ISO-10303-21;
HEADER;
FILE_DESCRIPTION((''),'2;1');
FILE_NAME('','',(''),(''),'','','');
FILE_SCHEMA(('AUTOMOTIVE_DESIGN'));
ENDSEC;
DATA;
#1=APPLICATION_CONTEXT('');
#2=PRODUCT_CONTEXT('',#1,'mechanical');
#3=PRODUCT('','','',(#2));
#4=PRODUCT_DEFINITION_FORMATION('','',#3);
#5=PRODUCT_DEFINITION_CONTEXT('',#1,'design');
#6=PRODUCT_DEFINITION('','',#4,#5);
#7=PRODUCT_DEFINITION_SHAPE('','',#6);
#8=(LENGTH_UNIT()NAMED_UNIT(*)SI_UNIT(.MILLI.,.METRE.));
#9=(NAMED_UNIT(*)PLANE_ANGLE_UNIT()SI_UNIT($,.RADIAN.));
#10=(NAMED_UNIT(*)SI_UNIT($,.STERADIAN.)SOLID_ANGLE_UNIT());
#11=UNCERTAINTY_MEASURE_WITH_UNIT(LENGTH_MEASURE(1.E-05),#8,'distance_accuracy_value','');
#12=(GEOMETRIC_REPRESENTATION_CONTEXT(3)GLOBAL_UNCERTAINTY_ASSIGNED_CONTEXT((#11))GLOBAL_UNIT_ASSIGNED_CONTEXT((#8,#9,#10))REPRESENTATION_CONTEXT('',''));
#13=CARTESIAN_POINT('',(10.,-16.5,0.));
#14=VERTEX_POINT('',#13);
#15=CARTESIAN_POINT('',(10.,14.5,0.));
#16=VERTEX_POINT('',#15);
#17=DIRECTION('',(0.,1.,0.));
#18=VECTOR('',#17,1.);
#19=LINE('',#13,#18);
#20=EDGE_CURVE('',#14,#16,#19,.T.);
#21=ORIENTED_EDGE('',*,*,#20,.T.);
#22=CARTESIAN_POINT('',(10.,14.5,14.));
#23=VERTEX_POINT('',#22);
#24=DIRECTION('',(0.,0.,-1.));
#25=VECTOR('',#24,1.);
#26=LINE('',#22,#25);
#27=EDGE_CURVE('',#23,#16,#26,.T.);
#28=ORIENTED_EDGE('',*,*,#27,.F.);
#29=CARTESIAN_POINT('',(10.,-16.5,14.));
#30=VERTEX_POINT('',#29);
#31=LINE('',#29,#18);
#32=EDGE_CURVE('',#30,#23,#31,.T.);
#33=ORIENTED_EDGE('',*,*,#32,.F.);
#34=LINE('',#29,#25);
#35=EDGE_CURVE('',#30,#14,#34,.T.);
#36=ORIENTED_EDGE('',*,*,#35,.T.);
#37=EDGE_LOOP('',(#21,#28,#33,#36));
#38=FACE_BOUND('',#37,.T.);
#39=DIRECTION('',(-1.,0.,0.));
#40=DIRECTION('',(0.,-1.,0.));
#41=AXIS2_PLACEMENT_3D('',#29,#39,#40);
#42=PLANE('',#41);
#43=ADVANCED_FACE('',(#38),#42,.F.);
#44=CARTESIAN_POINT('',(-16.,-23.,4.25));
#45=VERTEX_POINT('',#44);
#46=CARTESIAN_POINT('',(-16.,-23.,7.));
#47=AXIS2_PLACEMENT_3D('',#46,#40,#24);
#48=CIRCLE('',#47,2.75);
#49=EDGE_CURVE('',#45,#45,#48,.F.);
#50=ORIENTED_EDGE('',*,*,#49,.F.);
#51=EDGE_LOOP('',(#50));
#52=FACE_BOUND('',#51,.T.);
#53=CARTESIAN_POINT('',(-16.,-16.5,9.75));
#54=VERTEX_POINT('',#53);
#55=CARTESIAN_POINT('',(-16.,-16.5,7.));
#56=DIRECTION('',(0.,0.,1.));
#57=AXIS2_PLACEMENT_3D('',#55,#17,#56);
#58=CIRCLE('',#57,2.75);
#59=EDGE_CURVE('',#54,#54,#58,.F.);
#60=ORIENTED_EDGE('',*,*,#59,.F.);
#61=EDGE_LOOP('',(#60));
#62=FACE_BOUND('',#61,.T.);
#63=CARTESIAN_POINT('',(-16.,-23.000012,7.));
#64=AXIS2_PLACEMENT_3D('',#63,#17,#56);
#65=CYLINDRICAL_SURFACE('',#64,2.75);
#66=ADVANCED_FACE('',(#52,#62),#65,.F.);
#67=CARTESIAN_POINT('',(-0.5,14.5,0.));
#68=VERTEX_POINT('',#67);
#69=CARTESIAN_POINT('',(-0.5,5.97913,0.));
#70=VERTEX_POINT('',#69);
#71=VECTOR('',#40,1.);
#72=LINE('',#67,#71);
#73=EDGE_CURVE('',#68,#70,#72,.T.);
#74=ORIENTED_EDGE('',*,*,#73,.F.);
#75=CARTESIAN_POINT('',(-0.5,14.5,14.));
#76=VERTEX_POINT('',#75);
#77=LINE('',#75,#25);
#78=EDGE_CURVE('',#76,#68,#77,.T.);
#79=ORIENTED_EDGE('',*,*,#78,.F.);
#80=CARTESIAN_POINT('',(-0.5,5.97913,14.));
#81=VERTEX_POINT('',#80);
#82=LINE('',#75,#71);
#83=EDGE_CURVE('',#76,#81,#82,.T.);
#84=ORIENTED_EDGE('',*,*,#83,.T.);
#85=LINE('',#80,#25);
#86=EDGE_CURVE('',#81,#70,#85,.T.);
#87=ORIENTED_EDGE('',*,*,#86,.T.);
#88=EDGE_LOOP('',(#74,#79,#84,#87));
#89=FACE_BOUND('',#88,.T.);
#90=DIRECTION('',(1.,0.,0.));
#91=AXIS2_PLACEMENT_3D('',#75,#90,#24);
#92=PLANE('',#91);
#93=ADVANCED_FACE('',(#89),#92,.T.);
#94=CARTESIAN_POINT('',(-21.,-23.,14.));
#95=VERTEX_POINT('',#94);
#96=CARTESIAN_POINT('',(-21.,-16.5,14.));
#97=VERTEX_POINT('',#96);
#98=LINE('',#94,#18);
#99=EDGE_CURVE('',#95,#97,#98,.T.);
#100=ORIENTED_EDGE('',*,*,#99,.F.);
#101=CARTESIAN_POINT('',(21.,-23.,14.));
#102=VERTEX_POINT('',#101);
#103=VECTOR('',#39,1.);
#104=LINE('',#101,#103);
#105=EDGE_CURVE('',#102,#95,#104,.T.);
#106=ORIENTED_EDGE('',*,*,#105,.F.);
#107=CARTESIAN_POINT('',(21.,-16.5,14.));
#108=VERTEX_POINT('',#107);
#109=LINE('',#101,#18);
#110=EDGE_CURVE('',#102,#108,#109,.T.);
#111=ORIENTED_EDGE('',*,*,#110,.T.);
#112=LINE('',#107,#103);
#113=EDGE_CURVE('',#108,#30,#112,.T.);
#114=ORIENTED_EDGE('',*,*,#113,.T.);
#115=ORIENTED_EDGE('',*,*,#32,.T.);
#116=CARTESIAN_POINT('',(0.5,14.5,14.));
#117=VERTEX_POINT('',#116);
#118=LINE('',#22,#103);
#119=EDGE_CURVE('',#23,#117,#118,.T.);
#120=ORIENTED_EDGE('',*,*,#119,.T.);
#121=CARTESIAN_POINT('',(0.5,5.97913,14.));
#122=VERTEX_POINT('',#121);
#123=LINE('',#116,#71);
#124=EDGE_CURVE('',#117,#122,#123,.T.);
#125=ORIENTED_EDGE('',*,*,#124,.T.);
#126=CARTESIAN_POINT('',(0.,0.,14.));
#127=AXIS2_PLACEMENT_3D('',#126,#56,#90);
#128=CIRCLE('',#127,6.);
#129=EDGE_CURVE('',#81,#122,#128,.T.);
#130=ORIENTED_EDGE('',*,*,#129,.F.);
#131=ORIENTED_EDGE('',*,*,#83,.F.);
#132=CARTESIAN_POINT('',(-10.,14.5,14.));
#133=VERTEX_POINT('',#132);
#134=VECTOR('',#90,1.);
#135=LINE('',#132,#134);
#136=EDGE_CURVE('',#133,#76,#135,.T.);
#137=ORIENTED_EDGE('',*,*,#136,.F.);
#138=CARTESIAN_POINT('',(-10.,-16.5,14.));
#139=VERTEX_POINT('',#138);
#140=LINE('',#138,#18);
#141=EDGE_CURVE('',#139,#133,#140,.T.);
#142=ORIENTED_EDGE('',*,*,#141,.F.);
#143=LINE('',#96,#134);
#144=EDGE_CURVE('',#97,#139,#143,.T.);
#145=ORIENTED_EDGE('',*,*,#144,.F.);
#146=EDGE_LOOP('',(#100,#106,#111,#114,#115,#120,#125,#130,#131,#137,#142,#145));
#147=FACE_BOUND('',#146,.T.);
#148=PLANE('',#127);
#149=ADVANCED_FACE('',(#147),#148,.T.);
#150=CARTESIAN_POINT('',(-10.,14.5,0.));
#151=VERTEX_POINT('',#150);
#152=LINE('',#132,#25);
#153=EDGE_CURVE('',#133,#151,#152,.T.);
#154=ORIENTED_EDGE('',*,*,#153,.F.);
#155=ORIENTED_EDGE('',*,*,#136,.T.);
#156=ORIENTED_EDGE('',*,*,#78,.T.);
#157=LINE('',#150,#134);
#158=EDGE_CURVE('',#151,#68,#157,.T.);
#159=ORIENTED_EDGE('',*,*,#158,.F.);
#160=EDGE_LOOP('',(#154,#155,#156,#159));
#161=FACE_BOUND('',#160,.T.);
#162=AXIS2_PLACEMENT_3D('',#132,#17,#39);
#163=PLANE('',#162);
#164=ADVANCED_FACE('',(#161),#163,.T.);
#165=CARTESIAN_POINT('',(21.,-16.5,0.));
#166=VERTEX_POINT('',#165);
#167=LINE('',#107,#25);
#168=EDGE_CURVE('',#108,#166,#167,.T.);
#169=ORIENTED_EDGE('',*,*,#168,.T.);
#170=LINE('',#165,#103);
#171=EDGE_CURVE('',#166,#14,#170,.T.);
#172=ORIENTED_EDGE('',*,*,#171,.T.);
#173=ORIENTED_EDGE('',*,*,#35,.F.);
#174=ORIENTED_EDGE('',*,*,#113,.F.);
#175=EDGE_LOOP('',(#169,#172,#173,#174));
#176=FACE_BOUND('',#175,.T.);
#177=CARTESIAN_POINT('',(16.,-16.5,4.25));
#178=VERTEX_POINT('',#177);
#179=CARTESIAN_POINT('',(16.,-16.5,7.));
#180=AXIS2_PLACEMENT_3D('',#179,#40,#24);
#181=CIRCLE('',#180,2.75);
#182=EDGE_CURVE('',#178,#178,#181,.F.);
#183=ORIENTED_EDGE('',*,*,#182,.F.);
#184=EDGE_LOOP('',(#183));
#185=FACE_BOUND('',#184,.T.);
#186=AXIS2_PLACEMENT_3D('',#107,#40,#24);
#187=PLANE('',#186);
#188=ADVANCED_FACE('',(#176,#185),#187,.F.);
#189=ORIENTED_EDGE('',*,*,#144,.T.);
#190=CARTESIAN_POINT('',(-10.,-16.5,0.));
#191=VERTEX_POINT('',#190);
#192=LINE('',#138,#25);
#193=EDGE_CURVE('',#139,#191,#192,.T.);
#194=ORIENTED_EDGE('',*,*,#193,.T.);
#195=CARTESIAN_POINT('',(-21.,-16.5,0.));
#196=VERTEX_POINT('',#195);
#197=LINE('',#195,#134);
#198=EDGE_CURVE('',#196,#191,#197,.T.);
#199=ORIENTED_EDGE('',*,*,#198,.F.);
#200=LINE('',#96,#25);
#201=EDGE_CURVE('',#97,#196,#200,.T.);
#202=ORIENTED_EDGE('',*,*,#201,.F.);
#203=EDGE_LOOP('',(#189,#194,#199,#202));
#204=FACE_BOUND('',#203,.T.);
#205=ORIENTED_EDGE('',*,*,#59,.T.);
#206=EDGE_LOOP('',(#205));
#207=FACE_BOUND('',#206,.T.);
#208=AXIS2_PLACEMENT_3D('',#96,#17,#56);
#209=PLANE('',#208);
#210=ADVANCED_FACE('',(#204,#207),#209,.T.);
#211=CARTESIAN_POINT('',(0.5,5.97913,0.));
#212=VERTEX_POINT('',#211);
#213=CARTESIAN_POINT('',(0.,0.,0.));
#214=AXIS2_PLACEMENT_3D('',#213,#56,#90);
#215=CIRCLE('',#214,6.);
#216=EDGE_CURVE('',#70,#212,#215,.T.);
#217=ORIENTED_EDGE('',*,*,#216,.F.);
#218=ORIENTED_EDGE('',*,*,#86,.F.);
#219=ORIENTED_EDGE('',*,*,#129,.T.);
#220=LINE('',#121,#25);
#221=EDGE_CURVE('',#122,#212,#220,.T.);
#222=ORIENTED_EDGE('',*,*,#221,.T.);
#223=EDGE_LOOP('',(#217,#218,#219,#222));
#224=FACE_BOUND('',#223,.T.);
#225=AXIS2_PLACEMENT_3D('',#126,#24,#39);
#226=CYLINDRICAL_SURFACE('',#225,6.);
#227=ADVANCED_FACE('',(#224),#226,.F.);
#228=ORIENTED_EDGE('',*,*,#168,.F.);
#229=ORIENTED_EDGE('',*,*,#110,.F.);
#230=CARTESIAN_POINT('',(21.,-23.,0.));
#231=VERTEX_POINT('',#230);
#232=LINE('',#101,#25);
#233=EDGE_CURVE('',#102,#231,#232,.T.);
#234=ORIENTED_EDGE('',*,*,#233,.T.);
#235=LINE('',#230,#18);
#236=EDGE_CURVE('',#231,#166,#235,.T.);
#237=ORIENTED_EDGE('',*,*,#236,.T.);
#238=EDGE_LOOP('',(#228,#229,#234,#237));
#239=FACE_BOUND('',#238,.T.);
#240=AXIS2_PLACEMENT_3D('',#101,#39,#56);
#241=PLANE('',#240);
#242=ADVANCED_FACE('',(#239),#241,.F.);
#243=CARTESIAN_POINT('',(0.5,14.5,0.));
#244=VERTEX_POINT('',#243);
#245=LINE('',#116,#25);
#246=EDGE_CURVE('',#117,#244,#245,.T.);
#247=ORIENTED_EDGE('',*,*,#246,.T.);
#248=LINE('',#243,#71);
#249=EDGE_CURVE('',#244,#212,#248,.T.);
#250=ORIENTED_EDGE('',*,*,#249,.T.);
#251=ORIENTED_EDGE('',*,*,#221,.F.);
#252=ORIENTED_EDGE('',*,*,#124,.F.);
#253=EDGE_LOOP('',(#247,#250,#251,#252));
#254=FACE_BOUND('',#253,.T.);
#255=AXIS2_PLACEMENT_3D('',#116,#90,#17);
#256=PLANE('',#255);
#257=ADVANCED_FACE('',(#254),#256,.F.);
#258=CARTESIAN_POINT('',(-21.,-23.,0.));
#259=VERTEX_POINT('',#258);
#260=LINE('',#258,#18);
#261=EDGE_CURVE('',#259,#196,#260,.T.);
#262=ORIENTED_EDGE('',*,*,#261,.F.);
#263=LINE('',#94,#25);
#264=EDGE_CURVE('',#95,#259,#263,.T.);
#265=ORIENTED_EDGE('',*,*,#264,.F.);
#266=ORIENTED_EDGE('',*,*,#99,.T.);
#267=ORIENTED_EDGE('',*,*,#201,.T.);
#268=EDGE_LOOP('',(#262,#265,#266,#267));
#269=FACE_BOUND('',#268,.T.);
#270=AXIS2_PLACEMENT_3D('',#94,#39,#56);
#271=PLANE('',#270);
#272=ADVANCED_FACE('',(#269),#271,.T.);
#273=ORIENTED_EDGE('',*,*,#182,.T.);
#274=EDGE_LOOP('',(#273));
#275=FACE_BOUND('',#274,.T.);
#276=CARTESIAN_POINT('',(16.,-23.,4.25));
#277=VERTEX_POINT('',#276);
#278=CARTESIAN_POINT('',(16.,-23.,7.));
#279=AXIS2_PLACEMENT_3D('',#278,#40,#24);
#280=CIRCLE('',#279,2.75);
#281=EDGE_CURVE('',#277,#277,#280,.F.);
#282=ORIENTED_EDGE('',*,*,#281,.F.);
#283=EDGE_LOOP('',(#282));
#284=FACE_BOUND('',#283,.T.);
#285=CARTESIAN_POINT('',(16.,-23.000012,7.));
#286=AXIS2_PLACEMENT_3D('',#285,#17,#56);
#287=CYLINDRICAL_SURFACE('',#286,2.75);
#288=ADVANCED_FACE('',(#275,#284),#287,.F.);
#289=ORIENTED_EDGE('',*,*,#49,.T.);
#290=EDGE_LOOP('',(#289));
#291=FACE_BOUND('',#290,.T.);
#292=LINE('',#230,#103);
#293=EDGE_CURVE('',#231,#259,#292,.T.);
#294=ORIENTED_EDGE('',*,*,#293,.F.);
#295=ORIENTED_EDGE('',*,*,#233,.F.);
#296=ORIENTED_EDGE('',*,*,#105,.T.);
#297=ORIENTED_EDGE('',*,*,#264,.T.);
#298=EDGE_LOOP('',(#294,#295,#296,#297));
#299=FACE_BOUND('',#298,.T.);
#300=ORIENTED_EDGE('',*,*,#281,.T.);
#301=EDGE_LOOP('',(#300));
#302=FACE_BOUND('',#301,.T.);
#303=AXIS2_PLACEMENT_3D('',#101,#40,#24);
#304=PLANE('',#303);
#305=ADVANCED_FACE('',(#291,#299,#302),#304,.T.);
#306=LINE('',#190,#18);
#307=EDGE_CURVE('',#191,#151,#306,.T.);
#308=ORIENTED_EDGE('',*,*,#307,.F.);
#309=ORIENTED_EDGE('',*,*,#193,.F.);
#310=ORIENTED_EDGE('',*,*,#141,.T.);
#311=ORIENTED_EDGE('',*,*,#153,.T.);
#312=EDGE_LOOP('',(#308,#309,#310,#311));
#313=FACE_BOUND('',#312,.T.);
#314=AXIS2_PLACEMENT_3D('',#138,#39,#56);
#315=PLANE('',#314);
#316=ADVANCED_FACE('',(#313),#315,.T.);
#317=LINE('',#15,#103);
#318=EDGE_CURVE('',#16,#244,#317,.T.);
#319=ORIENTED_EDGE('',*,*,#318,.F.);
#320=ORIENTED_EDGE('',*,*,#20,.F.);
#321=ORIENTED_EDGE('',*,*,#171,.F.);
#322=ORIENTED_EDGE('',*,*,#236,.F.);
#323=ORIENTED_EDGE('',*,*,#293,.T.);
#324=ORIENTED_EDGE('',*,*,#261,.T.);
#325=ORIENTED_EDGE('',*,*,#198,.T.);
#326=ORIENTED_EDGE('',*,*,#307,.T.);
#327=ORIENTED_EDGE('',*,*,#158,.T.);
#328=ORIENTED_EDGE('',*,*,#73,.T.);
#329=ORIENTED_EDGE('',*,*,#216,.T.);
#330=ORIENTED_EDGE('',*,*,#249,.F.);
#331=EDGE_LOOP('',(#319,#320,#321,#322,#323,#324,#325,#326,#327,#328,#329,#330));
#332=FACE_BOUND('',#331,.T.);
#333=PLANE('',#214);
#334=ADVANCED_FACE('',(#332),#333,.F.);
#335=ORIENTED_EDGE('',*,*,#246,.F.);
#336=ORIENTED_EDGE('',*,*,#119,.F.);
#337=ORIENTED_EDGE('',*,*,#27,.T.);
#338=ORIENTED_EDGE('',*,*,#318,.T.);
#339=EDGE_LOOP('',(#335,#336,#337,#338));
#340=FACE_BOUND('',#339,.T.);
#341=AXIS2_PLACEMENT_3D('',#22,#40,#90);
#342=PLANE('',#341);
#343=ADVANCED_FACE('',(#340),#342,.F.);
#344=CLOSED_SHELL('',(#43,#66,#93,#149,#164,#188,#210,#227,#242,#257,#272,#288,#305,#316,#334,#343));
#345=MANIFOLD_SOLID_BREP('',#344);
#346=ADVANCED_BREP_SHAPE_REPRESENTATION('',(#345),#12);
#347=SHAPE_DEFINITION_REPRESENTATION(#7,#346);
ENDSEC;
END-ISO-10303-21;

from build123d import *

# Parameters (mm, degrees)
Y_KSEKLIK_EKSTR_ZYON2_DEPTH       = 14
KES_EKSTR_ZYON1_REACH             = 39.5
IZIM2_R                           = 2.75
KES_EKSTR_ZYON1_DIRECTION_2_DEPTH = 1


with BuildPart() as part:
    # Çizim1 → Yükseklik-Ekstrüzyon2 (new body)
    with BuildSketch(Plane.XY):
        with BuildLine():
            Line((21, -23), (-21, -23))
            Line((-21, -23), (-21, -16.5))
            Line((-21, -16.5), (-10, -16.5))
            Line((-10, -16.5), (-10, 14.5))
            Line((-10, 14.5), (-0.5, 14.5))
            Line((-0.5, 14.5), (-0.5, 5.979130372))
            ThreePointArc((-0.5, 5.979130372), (0, -6), (0.5, 5.979130372))
            Line((0.5, 5.979130372), (0.5, 14.5))
            Line((0.5, 14.5), (10, 14.5))
            Line((10, 14.5), (10, -16.5))
            Line((10, -16.5), (21, -16.5))
            Line((21, -16.5), (21, -23))
        make_face()
    extrude(amount=Y_KSEKLIK_EKSTR_ZYON2_DEPTH)

    # Çizim2 → Kes-Ekstrüzyon1 (cut, up to next)
    with BuildSketch(Plane.XZ.offset(23), mode=Mode.PRIVATE) as kes_ekstr_zyon1_sk1:
        with Locations((-16, 7)):
            Circle(IZIM2_R)
    kes_ekstr_zyon1_tool1 = extrude(kes_ekstr_zyon1_sk1.sketch, amount=-KES_EKSTR_ZYON1_REACH, mode=Mode.PRIVATE) & part.part
    add(kes_ekstr_zyon1_tool1.solids().sort_by_distance((-16, -23, 7))[0], mode=Mode.SUBTRACT)
    # Çizim2 → Kes-Ekstrüzyon1 (cut, up to next)
    with BuildSketch(Plane.XZ.offset(23), mode=Mode.PRIVATE) as kes_ekstr_zyon1_sk2:
        with Locations((16, 7)):
            Circle(IZIM2_R)
    kes_ekstr_zyon1_tool2 = extrude(kes_ekstr_zyon1_sk2.sketch, amount=-KES_EKSTR_ZYON1_REACH, mode=Mode.PRIVATE) & part.part
    add(kes_ekstr_zyon1_tool2.solids().sort_by_distance((16, -23, 7))[0], mode=Mode.SUBTRACT)

    # Çizim2 → Kes-Ekstrüzyon1 direction 2 (cut)
    with BuildSketch(Plane.XZ.offset(23)):
        with Locations((-16, 7)):
            Circle(IZIM2_R)
        with Locations((16, 7)):
            Circle(IZIM2_R)
    extrude(amount=KES_EKSTR_ZYON1_DIRECTION_2_DEPTH, mode=Mode.SUBTRACT)


solid = part.part
